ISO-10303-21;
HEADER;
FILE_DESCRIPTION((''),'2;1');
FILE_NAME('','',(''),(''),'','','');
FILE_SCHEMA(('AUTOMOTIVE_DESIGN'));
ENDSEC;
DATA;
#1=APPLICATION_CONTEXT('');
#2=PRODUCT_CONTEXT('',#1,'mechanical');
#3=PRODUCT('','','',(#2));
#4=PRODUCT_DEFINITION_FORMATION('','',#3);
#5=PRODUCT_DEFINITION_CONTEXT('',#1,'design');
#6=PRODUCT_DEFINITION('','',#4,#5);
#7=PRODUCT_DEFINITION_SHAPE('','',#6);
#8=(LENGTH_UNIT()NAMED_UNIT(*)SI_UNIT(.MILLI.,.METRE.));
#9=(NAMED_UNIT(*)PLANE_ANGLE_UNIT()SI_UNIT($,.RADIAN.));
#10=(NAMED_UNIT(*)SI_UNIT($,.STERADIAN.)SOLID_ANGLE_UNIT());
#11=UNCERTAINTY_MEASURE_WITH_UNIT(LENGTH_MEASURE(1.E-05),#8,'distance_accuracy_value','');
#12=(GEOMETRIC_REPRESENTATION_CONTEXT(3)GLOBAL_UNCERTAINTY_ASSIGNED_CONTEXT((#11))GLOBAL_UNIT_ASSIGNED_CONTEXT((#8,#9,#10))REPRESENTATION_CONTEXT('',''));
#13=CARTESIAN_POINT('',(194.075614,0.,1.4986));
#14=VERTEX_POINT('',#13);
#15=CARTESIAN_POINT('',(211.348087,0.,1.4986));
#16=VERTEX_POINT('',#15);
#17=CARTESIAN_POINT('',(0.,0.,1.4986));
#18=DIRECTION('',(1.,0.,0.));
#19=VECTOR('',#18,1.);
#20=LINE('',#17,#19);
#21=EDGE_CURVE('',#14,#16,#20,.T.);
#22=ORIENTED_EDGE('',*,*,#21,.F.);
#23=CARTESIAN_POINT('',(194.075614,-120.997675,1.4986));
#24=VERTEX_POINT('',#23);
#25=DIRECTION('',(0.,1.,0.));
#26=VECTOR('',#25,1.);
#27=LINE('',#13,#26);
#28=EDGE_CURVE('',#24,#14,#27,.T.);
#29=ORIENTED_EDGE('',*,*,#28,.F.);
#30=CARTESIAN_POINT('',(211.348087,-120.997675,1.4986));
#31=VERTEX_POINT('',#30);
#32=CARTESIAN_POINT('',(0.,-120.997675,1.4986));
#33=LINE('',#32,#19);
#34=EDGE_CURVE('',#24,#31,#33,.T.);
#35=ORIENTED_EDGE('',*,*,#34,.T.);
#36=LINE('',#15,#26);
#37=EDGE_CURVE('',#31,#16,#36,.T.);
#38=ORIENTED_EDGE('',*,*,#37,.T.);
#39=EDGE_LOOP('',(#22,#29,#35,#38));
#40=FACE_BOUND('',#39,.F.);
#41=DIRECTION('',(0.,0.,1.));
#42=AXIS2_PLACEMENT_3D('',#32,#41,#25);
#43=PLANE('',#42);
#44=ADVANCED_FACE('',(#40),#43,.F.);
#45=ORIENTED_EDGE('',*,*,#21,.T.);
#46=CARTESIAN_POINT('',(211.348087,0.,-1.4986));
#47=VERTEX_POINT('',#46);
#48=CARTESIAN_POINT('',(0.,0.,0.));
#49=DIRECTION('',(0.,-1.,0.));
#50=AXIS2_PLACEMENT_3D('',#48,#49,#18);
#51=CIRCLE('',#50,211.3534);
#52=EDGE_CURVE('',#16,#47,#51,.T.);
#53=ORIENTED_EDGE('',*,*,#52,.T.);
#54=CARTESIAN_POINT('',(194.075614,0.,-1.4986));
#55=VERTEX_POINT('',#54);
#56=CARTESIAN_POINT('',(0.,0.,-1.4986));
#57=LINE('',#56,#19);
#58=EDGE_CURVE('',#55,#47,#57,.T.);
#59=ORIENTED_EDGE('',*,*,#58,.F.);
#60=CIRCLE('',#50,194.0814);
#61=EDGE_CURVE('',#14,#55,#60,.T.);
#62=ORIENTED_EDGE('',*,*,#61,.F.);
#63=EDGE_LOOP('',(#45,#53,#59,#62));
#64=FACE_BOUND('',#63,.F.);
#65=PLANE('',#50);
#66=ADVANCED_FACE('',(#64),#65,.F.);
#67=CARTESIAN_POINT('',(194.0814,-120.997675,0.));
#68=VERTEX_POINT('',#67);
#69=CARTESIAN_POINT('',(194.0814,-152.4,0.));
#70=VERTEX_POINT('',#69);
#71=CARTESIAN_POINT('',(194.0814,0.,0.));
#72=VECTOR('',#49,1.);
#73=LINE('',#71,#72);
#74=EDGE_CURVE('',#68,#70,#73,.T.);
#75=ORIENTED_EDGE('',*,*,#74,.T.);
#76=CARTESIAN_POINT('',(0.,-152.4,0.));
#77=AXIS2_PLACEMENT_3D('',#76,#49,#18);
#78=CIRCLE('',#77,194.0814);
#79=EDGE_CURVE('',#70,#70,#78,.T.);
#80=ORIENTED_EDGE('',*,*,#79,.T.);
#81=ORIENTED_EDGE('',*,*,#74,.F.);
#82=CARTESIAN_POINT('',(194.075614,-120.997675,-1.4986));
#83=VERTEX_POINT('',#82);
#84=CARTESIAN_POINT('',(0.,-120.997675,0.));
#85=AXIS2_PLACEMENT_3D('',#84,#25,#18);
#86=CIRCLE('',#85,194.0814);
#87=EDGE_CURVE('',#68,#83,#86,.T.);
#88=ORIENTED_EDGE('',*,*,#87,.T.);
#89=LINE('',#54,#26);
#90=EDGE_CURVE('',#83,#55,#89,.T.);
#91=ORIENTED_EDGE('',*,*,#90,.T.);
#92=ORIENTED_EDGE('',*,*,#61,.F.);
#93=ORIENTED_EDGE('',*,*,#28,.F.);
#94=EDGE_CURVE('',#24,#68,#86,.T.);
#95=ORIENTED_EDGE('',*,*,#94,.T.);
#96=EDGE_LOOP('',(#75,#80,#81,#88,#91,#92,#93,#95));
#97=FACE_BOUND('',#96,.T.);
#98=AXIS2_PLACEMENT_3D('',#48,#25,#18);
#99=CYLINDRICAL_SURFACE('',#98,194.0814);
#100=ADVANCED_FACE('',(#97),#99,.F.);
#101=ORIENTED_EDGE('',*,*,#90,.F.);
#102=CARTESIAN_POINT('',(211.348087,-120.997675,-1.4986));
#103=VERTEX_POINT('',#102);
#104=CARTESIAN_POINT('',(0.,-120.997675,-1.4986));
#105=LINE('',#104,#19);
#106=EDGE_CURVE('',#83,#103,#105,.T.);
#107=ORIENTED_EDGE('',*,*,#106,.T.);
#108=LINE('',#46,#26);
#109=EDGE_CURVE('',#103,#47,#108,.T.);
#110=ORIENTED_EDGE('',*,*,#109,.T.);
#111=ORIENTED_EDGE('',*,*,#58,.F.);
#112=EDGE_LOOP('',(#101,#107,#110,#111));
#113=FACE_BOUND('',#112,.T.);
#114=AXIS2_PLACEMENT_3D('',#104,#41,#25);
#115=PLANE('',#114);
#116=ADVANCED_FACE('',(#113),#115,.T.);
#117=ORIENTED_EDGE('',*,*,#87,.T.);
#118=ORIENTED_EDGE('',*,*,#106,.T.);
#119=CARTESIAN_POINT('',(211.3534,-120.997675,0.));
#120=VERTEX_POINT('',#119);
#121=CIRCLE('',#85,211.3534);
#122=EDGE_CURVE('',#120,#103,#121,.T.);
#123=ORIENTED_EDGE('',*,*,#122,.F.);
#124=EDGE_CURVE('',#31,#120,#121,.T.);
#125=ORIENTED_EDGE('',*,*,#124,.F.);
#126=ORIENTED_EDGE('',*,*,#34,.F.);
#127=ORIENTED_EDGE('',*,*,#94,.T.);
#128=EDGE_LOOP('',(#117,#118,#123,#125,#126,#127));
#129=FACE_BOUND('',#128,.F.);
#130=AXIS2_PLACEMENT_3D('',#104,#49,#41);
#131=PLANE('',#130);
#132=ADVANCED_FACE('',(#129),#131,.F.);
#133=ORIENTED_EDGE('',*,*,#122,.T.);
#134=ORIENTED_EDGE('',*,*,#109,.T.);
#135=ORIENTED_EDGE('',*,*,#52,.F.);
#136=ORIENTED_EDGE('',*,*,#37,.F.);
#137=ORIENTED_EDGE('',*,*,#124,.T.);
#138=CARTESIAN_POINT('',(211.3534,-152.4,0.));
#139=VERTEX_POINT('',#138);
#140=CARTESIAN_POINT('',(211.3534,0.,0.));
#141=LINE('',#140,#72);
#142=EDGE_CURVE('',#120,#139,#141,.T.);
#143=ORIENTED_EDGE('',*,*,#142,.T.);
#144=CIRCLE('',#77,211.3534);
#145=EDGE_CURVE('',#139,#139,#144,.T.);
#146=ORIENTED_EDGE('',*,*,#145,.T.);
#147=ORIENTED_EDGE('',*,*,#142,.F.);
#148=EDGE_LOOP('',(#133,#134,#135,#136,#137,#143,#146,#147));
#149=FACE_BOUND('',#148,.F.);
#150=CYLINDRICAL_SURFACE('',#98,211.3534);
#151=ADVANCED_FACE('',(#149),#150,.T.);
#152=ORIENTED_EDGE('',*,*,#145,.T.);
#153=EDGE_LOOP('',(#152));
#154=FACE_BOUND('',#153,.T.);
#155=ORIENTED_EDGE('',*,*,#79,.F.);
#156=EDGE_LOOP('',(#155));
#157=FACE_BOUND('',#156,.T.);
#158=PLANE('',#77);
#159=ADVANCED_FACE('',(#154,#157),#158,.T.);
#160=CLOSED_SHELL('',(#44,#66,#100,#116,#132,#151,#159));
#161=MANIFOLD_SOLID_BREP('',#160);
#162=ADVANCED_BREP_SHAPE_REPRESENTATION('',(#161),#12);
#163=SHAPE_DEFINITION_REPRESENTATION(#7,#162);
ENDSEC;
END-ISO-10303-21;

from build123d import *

# Parameters (mm, degrees)
F0_R     = 211.3534
F0_R_2   = 194.0814
F1_DEPTH = 152.4
F2_W     = 120.9976747632
F2_H     = 2.9972
F3_DEPTH = 253.746


with BuildPart() as f1:
    # F0 (on Front) → F1 (new body)
    with BuildSketch(Plane.XZ):
        Circle(F0_R)
        Circle(F0_R_2, mode=Mode.SUBTRACT)
    extrude(amount=F1_DEPTH)

    # F2 (on Right) → F3 (cut)
    with BuildSketch(Plane.YZ):
        with Locations((-60.4988373816, 0)):
            Rectangle(F2_W, F2_H)
    extrude(amount=F3_DEPTH, mode=Mode.SUBTRACT)


solid = f1.part
